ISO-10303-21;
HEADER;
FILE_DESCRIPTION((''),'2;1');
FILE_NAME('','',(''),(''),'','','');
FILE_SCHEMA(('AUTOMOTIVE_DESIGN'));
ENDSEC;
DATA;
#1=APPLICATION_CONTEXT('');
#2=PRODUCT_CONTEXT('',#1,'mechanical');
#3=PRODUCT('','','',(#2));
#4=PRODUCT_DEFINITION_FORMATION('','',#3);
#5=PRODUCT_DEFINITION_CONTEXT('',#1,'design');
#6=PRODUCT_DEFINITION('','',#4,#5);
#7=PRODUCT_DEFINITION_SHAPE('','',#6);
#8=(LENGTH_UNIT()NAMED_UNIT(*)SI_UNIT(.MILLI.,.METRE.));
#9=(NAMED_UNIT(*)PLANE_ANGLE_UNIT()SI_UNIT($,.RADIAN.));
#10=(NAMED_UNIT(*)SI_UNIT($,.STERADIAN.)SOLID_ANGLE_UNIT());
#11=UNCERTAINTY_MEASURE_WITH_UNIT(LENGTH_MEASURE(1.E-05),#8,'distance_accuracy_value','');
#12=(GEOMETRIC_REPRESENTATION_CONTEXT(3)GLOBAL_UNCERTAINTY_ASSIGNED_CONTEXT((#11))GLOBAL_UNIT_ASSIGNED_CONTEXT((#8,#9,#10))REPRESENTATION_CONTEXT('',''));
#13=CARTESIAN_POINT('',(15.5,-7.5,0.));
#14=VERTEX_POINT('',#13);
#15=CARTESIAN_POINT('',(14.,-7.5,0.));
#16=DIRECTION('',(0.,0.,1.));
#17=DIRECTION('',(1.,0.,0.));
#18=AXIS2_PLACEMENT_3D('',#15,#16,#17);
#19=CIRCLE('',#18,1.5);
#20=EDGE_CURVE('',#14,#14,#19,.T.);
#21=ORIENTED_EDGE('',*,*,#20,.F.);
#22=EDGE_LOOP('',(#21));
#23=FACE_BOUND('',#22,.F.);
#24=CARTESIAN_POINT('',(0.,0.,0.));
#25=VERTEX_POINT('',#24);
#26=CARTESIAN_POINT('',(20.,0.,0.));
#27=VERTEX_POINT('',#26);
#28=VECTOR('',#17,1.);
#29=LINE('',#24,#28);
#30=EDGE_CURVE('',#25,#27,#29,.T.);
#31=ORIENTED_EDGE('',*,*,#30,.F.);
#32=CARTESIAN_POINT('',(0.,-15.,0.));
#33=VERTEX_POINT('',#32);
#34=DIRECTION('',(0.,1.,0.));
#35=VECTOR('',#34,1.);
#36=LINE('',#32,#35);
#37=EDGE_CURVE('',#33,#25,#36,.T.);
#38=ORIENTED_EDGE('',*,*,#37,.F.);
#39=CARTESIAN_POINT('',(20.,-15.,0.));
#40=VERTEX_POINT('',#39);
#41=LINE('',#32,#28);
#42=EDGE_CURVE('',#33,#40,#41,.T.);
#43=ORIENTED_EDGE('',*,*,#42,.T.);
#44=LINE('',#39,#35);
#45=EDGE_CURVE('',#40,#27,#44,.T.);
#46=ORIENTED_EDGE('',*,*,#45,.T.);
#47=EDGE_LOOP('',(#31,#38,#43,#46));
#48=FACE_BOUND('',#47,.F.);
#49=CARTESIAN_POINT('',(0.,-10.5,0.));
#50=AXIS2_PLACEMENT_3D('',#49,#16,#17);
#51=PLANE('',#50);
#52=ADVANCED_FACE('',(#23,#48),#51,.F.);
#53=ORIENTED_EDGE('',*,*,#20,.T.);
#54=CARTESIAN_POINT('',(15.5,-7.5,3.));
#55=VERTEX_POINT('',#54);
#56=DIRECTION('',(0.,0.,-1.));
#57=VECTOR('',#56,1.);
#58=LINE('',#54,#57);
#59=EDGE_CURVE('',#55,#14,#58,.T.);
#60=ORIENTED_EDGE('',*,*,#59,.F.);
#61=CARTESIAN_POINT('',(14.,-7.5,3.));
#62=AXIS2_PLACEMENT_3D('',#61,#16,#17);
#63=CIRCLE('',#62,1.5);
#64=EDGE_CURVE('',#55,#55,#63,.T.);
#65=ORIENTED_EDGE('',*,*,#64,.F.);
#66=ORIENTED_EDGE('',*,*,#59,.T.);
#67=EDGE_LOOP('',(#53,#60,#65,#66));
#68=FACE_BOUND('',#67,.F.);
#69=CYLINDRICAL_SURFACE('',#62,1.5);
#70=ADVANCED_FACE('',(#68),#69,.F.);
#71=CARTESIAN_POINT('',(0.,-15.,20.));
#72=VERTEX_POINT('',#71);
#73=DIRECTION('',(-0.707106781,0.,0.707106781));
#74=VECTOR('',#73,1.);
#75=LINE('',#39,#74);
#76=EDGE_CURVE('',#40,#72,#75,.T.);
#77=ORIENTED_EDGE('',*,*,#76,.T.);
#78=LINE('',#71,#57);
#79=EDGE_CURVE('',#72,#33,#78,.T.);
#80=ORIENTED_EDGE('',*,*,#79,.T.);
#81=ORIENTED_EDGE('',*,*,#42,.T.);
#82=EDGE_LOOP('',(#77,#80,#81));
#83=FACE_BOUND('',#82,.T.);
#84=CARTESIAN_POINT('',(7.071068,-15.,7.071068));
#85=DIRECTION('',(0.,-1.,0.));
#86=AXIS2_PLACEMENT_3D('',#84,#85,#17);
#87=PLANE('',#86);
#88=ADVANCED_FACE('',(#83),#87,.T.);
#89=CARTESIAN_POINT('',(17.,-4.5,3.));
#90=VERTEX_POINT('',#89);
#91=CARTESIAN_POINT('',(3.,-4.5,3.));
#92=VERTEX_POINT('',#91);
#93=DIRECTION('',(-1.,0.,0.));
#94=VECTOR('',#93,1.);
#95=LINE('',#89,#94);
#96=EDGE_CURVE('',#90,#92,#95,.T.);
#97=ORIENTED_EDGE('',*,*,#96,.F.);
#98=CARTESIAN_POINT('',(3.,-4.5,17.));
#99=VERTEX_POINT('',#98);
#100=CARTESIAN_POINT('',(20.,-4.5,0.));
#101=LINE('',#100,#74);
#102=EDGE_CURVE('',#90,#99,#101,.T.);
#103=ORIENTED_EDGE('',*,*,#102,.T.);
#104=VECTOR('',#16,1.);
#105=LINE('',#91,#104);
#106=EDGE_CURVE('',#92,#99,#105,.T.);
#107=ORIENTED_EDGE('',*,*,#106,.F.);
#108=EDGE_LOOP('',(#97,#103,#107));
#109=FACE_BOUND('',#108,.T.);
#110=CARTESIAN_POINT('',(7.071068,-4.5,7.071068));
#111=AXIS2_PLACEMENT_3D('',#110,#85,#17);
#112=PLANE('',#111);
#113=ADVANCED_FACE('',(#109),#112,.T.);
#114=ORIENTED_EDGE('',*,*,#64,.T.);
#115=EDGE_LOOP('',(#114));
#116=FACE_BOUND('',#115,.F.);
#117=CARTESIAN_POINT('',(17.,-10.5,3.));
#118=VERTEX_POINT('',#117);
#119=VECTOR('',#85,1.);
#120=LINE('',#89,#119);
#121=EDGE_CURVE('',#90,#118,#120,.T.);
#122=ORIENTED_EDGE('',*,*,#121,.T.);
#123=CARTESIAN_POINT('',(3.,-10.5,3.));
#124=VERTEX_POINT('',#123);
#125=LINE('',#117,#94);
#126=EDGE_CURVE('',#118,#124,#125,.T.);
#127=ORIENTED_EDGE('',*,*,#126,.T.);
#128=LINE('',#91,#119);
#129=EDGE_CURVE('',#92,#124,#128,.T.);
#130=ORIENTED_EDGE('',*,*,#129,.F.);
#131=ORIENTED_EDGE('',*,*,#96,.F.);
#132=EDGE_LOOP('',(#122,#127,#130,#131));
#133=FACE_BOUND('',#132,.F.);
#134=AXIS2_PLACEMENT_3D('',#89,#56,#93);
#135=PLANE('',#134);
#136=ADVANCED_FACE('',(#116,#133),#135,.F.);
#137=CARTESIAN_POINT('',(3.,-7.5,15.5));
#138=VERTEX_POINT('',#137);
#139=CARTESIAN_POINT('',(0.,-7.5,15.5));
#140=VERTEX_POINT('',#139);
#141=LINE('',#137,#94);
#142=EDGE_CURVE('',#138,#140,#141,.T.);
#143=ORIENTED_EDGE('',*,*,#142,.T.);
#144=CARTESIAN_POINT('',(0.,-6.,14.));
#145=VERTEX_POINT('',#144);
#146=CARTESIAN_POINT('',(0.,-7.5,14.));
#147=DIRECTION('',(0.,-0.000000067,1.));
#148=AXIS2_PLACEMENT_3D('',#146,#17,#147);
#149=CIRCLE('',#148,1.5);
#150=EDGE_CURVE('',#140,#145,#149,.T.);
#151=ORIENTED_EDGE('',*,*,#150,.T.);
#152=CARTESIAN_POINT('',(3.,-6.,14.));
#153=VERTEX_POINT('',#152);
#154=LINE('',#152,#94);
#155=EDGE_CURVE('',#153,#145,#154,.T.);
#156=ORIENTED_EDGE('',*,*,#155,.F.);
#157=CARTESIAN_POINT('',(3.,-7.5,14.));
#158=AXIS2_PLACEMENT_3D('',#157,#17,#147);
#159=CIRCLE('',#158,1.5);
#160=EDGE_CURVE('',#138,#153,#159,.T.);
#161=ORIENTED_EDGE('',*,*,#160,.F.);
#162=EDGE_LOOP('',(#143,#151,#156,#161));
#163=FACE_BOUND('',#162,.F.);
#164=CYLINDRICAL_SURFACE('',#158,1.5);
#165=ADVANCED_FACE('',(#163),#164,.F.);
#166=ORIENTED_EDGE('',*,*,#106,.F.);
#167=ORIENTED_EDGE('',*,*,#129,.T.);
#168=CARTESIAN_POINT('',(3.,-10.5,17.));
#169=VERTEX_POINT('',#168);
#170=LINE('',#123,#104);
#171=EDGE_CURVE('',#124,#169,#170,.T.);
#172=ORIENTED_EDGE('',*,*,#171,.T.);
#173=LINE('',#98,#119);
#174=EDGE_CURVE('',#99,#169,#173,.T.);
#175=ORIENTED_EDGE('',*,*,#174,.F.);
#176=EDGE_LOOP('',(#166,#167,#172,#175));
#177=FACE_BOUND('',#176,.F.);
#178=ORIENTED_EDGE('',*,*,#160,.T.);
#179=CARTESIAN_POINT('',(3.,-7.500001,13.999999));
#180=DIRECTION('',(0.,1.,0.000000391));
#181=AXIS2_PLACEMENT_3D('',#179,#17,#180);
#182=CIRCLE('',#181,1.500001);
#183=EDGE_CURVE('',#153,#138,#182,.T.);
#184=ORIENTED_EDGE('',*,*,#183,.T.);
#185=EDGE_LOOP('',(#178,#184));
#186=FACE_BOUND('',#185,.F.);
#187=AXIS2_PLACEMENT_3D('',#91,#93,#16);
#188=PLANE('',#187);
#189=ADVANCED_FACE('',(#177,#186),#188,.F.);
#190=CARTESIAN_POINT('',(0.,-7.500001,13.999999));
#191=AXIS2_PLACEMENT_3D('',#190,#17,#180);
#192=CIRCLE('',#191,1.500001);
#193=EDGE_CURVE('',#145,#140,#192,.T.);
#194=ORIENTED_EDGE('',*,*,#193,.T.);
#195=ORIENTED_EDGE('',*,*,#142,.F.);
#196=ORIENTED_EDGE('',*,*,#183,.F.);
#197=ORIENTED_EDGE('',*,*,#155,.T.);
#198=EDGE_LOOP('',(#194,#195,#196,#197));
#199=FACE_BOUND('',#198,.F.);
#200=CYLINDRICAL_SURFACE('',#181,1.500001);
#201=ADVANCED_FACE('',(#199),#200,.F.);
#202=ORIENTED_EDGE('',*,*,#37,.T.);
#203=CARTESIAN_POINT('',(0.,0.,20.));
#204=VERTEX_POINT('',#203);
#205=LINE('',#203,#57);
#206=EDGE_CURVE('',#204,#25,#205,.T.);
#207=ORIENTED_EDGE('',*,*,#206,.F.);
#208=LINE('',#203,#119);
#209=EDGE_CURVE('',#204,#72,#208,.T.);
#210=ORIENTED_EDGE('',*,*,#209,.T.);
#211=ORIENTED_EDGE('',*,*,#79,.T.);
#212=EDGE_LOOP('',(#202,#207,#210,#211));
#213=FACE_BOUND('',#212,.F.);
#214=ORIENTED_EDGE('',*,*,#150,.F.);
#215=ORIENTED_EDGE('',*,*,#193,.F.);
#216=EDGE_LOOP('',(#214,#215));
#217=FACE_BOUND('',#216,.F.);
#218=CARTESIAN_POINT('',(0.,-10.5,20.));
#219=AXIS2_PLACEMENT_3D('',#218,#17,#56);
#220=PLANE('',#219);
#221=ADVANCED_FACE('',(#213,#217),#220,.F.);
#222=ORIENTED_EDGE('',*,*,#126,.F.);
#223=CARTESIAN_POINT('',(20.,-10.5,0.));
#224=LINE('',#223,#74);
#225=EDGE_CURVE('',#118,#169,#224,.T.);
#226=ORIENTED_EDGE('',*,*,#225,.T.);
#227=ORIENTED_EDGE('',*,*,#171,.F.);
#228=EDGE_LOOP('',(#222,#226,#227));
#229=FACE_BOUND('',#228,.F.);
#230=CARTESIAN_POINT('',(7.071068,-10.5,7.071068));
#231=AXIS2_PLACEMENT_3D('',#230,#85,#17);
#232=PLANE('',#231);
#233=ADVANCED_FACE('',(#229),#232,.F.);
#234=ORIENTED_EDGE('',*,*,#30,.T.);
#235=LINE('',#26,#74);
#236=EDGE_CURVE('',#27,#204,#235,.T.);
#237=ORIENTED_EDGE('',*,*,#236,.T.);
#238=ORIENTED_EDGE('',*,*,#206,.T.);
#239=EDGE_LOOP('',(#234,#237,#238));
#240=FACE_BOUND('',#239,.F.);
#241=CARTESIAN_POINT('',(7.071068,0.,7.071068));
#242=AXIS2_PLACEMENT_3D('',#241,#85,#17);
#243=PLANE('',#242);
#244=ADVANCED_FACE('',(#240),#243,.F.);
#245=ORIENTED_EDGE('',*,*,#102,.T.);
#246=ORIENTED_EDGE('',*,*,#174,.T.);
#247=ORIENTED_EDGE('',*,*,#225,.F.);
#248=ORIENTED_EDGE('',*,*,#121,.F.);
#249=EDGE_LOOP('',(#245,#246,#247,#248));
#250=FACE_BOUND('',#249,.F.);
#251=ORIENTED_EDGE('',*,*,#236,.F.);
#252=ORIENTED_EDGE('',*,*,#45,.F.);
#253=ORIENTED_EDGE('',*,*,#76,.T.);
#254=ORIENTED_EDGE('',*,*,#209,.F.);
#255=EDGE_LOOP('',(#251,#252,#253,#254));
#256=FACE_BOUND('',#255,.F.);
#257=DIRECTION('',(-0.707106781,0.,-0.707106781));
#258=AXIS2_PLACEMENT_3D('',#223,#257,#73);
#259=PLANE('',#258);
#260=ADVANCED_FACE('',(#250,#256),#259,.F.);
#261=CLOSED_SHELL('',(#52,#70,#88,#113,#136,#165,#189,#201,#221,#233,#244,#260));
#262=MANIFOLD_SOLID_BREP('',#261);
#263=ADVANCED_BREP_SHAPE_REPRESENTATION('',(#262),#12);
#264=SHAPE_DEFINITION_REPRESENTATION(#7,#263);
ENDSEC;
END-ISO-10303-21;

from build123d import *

# Parameters (mm, degrees)
F1_DEPTH = 4.5
F3_DEPTH = 6
F5_DEPTH = 4.5
F7_DEPTH = 3.001
F8_R     = 1.5
F9_DEPTH = 25


with BuildPart() as f1:
    # F0 (on Front) → F1 (new body)
    with BuildSketch(Plane.XZ):
        Polygon((0, 20), (0, 0), (20, 0), align=None)
    extrude(amount=F1_DEPTH)

    # F2 (on face) → F3 (join)
    with BuildSketch(Plane.XZ.offset(4.5)):
        Polygon((15, 3), (3, 3), (3, 15), (3, 17), (0, 20), (0, 0), (20, 0), (17, 3), align=None)
    extrude(amount=F3_DEPTH)

    # F4 (on face) → F5 (join)
    with BuildSketch(Plane.XZ.offset(10.5)):
        Polygon((20, 0), (0, 20), (0, 0), align=None)
    extrude(amount=F5_DEPTH)

    # F6 (on face) → F7 (cut, through all)
    with BuildSketch(Plane.YZ.offset(3)):
        with BuildLine():
            ThreePointArc((-7.5, 15.5), (-8.56066, 12.93934), (-6, 14))
            ThreePointArc((-6, 14), (-6.43934, 15.06066), (-7.5, 15.5))
        make_face()
    extrude(amount=-F7_DEPTH, mode=Mode.SUBTRACT)

    # F8 (on face) → F9 (cut)
    with BuildSketch(Plane.XY.offset(3)):
        with Locations((14, -7.5)):
            Circle(F8_R)
    extrude(amount=-F9_DEPTH, mode=Mode.SUBTRACT)


solid = f1.part
